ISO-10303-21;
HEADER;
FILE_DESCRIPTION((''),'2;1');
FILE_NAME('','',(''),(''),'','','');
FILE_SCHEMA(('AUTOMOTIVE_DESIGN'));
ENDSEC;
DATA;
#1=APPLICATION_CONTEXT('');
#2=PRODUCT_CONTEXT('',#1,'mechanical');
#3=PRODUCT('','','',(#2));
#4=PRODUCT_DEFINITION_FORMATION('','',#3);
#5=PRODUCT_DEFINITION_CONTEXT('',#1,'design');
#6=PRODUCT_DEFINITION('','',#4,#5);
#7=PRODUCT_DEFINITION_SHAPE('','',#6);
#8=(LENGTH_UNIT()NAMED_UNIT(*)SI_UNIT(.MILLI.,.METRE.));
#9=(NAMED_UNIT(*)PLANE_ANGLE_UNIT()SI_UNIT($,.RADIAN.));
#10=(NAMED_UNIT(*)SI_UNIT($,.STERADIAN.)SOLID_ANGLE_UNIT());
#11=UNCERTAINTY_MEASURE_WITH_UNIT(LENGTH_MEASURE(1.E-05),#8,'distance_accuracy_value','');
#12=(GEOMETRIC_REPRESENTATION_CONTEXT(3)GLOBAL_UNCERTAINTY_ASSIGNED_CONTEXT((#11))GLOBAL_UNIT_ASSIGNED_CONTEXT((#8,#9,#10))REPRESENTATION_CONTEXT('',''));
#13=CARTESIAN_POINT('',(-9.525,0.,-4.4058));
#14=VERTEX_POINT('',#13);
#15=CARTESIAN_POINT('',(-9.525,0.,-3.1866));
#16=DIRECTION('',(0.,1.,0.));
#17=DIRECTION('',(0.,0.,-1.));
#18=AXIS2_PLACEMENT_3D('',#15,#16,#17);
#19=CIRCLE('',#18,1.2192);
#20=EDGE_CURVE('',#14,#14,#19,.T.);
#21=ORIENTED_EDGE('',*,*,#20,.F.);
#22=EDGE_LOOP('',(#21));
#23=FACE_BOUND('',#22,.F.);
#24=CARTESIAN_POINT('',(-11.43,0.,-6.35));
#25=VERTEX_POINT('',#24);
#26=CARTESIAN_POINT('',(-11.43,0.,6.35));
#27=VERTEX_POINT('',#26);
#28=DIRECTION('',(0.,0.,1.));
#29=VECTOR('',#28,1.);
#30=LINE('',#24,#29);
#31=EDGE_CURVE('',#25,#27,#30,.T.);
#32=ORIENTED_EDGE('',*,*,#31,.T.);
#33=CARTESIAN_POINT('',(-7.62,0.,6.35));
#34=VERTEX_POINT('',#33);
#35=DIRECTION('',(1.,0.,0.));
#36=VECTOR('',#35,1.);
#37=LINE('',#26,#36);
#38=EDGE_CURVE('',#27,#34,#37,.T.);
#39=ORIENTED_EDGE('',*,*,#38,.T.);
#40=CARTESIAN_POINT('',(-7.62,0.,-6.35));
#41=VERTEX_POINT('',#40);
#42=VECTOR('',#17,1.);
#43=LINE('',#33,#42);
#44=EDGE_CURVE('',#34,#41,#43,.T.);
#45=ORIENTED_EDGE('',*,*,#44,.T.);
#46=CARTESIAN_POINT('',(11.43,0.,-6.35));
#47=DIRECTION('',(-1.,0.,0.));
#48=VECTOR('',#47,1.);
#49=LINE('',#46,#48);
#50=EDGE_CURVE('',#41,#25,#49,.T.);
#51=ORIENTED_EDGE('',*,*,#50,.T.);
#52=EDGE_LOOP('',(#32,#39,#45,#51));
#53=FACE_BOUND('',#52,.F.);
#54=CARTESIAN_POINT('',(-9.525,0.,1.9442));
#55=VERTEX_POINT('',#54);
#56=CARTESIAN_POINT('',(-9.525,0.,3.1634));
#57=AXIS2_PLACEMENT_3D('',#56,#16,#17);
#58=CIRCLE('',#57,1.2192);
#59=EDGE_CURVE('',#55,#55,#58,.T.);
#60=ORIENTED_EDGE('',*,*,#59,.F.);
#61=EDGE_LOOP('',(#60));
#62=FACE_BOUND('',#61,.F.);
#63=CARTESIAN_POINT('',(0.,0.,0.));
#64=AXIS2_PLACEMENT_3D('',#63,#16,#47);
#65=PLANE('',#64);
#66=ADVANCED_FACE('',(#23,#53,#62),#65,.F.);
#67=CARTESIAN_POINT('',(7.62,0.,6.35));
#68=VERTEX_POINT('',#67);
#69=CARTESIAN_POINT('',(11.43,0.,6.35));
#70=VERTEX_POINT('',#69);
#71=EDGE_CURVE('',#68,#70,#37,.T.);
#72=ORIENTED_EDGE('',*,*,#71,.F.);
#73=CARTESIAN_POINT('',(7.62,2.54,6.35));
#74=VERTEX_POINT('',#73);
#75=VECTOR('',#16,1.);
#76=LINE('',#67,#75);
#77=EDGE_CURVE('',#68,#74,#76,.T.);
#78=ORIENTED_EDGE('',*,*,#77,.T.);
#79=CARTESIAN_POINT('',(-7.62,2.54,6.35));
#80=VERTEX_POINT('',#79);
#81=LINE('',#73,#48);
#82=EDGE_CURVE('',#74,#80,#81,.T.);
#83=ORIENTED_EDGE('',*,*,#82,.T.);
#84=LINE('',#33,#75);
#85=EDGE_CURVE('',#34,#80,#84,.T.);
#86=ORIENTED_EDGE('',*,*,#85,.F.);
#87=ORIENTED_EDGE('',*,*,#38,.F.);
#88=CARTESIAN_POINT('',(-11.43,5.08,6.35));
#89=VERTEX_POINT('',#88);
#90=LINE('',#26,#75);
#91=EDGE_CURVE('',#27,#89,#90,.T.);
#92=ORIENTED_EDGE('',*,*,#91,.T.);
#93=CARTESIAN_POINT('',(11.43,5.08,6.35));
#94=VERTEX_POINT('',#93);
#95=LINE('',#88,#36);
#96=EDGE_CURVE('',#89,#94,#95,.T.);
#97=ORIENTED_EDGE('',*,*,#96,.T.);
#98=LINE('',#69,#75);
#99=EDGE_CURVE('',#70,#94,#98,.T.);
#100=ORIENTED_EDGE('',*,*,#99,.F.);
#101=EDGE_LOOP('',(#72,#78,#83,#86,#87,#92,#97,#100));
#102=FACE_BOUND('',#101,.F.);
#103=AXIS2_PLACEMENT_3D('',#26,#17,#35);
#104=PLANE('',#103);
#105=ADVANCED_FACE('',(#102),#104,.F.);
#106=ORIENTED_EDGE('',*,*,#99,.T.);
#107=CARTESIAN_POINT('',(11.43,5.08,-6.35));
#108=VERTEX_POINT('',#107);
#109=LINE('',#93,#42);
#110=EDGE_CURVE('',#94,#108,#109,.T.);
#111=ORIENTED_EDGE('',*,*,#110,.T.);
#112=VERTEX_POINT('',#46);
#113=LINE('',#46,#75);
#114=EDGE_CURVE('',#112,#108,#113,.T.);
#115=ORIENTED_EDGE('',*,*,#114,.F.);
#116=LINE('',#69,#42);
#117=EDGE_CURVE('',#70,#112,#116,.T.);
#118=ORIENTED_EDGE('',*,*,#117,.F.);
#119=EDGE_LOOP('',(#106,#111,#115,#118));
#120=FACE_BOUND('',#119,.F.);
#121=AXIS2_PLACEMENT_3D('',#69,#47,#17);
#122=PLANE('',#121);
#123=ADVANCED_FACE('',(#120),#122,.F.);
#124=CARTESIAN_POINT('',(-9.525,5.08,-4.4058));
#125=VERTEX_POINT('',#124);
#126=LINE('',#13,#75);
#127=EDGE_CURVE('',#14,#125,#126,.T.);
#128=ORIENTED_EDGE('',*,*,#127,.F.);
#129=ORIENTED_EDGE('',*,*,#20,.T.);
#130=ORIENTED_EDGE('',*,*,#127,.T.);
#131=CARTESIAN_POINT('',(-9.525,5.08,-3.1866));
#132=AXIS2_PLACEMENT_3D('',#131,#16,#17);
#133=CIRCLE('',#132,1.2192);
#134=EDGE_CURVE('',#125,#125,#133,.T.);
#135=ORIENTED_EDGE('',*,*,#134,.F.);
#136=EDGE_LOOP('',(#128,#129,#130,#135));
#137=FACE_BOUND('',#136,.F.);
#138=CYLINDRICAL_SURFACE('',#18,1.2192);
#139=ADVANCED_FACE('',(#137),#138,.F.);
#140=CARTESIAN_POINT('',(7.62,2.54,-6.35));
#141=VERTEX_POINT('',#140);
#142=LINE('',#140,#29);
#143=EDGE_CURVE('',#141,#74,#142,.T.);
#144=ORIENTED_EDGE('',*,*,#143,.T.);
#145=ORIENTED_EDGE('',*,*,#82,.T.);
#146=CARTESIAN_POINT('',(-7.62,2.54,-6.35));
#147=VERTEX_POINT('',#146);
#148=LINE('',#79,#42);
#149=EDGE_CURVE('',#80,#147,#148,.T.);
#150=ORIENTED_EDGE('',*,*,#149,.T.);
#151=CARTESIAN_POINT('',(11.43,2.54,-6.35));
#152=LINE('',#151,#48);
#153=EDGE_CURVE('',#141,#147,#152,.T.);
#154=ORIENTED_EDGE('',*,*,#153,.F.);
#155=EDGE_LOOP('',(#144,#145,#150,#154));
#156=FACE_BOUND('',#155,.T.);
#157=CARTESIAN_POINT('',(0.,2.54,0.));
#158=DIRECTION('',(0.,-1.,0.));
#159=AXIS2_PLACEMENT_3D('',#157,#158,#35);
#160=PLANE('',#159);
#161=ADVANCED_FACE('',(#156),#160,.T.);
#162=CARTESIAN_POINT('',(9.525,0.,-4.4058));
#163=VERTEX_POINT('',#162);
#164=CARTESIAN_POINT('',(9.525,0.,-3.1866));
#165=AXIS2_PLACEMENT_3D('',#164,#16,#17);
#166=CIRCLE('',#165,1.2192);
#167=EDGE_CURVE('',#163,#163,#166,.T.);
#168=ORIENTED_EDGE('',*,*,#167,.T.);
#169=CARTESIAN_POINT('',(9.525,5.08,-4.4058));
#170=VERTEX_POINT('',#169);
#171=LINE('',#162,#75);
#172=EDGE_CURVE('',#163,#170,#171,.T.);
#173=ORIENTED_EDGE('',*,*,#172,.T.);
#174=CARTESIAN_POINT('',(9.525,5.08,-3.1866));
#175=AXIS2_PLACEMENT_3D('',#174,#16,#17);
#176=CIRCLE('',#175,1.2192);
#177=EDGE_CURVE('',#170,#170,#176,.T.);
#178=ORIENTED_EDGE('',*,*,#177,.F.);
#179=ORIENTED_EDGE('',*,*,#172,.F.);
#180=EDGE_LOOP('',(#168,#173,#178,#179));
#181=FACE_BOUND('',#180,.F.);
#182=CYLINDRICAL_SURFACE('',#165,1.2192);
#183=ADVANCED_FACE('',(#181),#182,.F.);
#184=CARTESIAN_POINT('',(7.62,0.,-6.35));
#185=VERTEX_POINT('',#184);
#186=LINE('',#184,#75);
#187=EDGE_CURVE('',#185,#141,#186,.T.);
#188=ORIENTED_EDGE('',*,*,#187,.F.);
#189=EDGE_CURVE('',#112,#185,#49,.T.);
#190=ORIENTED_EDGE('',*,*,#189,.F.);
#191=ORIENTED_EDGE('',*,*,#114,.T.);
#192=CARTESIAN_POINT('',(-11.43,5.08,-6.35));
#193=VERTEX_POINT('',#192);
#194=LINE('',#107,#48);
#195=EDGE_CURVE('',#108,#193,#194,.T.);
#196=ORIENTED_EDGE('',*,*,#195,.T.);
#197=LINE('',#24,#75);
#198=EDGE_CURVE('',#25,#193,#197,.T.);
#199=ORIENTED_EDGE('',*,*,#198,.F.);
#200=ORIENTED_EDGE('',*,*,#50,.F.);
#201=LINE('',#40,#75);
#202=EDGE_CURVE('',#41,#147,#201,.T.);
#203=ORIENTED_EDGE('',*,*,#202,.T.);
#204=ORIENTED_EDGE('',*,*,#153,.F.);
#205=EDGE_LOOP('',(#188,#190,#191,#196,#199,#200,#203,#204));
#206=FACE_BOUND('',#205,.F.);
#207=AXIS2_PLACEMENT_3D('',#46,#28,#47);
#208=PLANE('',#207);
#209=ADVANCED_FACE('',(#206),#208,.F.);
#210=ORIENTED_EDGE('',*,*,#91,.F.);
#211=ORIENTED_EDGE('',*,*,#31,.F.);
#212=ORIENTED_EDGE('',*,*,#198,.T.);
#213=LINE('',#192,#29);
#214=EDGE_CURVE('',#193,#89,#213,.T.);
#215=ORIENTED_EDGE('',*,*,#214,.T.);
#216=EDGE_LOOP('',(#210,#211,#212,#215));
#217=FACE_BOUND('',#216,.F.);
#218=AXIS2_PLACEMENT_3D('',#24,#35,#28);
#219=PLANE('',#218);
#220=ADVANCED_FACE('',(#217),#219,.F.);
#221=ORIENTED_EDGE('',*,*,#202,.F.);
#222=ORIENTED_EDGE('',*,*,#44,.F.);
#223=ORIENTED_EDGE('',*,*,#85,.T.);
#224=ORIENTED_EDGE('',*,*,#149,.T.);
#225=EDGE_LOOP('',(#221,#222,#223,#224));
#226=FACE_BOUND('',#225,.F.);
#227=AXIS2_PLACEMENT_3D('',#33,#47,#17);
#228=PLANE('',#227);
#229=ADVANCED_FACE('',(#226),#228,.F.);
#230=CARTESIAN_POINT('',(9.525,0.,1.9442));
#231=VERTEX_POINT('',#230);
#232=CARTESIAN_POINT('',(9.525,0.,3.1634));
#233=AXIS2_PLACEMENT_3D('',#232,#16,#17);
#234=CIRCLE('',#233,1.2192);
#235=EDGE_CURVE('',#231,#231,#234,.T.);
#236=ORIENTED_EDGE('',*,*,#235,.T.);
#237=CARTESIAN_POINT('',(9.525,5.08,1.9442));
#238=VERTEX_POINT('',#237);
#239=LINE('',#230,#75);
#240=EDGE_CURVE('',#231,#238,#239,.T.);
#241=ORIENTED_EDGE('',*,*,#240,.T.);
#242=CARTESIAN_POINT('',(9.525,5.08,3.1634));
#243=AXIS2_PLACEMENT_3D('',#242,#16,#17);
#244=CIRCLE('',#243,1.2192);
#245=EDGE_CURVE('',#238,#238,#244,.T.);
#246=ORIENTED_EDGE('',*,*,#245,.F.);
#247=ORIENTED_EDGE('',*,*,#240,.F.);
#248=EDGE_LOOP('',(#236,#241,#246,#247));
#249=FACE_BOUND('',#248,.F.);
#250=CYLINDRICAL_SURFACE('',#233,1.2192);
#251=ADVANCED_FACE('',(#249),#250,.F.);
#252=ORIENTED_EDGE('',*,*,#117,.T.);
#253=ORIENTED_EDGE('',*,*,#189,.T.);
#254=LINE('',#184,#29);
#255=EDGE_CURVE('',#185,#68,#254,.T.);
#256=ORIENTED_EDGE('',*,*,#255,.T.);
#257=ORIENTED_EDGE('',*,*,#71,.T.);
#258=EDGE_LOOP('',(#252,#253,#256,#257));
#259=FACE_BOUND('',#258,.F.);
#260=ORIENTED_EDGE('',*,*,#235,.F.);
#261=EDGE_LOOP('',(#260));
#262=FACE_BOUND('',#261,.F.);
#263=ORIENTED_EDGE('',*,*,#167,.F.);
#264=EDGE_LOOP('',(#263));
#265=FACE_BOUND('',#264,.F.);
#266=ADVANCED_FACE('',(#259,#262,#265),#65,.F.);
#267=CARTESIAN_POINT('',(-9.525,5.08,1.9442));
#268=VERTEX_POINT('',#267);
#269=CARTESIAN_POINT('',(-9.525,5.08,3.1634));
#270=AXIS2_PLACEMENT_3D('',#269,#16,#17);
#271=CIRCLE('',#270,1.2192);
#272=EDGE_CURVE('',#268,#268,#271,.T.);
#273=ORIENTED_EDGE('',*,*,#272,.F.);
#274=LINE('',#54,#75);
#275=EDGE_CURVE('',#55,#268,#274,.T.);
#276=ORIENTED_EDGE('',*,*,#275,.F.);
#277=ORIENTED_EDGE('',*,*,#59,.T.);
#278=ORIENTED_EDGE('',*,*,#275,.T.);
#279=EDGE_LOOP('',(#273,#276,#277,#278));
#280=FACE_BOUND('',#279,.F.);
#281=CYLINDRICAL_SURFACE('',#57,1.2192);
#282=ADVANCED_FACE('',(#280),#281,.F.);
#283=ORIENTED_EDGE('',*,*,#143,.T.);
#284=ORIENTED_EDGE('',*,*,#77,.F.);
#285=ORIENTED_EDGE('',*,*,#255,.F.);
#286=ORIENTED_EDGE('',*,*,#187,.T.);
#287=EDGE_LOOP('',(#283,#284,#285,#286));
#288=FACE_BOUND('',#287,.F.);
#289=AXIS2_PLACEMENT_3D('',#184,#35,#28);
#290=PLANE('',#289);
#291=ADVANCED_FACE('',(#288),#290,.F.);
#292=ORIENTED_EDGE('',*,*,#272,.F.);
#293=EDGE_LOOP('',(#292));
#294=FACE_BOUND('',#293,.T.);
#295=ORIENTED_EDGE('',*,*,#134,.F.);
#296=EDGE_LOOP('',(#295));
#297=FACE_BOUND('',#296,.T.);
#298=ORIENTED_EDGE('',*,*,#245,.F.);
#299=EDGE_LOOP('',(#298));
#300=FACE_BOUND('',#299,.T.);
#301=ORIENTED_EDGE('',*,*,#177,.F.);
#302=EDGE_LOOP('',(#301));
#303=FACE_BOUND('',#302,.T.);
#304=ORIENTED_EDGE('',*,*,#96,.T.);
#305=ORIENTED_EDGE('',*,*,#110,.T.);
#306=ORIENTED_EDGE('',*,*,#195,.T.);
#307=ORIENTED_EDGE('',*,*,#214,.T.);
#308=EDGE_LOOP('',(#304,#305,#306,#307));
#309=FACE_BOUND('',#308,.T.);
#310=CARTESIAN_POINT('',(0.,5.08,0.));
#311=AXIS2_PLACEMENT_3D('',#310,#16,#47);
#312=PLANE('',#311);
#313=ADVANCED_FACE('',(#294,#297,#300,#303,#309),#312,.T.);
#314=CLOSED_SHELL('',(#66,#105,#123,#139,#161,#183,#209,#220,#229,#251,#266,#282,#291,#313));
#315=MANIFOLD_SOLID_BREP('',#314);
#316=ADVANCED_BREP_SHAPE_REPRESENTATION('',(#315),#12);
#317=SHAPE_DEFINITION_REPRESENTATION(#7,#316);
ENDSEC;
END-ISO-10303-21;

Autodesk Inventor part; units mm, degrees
ref_plane "YZ Plane" through (0, 0, 0) normal (1, 0, 0) x (0, 1, 0)
ref_plane "XZ Plane" through (0, 0, 0) normal (0, 1, 0) x (-1, 0, 0)
ref_plane "XY Plane" through (0, 0, 0) normal (0, 0, 1) x (1, 0, 0)
sketch "Sketch1" plane through (0, 0, 0) normal (0, 1, 0) x (-1, 0, 0)
  line L0 (-11.43, -6.35) -> (11.43, -6.35)
  line L1 (11.43, -6.35) -> (11.43, 6.35)
  line L2 (11.43, 6.35) -> (-11.43, 6.35)
  line L3 (-11.43, 6.35) -> (-11.43, -6.35)
  line L4 (-11.43, -6.35) -> (11.43, 6.35) construction
  line L5 (11.43, -6.35) -> (-11.43, 6.35) construction
  point P0 (0, 0)
  point P1 (0, 0)
  dimension "d19" = 22.86
  dimension "d20" = 12.7
sketch "Sketch2" plane through (0, 0, 0) normal (0, 1, 0) x (-1, 0, 0)
  line L0 (9.525, 3.1634) -> (9.525, -3.1866) construction
  line L1 (9.525, -3.1866) -> (-9.525, -3.1866) construction
  line L2 (-9.525, -3.1866) -> (-9.525, 3.1634) construction
  line L3 (-9.525, 3.1634) -> (9.525, 3.1634) construction
  line L4 (9.525, 6.3268) -> (9.525, 3.1634) construction
  line L5 (-9.525, 3.1634) -> (-9.525, 6.5546) construction
  line L6 (11.43, -6.35) -> (11.43, 6.35) projected
  line L7 (-11.43, -6.35) -> (11.43, -6.35) projected
  line L8 (-11.43, 6.35) -> (-11.43, -6.35) projected
  line L9 (11.43, 6.35) -> (-11.43, 6.35) projected
  line L10 (9.525, -3.1866) -> (9.525, -6.35) construction
  point P0 (0, 0)
  dimension "d18" = 6.35
  dimension "d22" = 19.05
  dimension "d23" = 1.905
  dimension "d24" = 3.1634
extrude "Extrusion1" add sketch "Sketch1" along normal blind 5.08
hole "Hole1" at (-9.525, 0, 3.1634) at (-9.525, 0, -3.1866) at (9.525, 0, -3.1866) at (9.525, 0, 3.1634) direction (0, 1, 0) diameter 2.4384 depth 5.08 clearance for "Flat Head Machine Screw (82)" size "#2" standard "Ansi Unified Screw Threads"
sketch "Sketch3" plane through (0, 0, 0) normal (0, -1, 0) x (1, 0, 0)
  line L0 (11.43, -6.35) -> (-11.43, -6.35) projected
  line L1 (7.62, 6.35) -> (-7.62, 6.35)
  line L2 (-7.62, 6.35) -> (-7.62, -6.35)
  line L3 (-7.62, -6.35) -> (7.62, -6.35)
  line L4 (7.62, -6.35) -> (7.62, 6.35)
  line L5 (7.62, 6.35) -> (-7.62, -6.35) construction
  line L6 (-7.62, 6.35) -> (7.62, -6.35) construction
  point P0 (0, 0)
  point P1 (7.62, -6.35)
  dimension "d34" = 15.24
extrude "Extrusion2" cut sketch "Sketch3" against normal blind 2.54
properties part number "Controller_Strap"
